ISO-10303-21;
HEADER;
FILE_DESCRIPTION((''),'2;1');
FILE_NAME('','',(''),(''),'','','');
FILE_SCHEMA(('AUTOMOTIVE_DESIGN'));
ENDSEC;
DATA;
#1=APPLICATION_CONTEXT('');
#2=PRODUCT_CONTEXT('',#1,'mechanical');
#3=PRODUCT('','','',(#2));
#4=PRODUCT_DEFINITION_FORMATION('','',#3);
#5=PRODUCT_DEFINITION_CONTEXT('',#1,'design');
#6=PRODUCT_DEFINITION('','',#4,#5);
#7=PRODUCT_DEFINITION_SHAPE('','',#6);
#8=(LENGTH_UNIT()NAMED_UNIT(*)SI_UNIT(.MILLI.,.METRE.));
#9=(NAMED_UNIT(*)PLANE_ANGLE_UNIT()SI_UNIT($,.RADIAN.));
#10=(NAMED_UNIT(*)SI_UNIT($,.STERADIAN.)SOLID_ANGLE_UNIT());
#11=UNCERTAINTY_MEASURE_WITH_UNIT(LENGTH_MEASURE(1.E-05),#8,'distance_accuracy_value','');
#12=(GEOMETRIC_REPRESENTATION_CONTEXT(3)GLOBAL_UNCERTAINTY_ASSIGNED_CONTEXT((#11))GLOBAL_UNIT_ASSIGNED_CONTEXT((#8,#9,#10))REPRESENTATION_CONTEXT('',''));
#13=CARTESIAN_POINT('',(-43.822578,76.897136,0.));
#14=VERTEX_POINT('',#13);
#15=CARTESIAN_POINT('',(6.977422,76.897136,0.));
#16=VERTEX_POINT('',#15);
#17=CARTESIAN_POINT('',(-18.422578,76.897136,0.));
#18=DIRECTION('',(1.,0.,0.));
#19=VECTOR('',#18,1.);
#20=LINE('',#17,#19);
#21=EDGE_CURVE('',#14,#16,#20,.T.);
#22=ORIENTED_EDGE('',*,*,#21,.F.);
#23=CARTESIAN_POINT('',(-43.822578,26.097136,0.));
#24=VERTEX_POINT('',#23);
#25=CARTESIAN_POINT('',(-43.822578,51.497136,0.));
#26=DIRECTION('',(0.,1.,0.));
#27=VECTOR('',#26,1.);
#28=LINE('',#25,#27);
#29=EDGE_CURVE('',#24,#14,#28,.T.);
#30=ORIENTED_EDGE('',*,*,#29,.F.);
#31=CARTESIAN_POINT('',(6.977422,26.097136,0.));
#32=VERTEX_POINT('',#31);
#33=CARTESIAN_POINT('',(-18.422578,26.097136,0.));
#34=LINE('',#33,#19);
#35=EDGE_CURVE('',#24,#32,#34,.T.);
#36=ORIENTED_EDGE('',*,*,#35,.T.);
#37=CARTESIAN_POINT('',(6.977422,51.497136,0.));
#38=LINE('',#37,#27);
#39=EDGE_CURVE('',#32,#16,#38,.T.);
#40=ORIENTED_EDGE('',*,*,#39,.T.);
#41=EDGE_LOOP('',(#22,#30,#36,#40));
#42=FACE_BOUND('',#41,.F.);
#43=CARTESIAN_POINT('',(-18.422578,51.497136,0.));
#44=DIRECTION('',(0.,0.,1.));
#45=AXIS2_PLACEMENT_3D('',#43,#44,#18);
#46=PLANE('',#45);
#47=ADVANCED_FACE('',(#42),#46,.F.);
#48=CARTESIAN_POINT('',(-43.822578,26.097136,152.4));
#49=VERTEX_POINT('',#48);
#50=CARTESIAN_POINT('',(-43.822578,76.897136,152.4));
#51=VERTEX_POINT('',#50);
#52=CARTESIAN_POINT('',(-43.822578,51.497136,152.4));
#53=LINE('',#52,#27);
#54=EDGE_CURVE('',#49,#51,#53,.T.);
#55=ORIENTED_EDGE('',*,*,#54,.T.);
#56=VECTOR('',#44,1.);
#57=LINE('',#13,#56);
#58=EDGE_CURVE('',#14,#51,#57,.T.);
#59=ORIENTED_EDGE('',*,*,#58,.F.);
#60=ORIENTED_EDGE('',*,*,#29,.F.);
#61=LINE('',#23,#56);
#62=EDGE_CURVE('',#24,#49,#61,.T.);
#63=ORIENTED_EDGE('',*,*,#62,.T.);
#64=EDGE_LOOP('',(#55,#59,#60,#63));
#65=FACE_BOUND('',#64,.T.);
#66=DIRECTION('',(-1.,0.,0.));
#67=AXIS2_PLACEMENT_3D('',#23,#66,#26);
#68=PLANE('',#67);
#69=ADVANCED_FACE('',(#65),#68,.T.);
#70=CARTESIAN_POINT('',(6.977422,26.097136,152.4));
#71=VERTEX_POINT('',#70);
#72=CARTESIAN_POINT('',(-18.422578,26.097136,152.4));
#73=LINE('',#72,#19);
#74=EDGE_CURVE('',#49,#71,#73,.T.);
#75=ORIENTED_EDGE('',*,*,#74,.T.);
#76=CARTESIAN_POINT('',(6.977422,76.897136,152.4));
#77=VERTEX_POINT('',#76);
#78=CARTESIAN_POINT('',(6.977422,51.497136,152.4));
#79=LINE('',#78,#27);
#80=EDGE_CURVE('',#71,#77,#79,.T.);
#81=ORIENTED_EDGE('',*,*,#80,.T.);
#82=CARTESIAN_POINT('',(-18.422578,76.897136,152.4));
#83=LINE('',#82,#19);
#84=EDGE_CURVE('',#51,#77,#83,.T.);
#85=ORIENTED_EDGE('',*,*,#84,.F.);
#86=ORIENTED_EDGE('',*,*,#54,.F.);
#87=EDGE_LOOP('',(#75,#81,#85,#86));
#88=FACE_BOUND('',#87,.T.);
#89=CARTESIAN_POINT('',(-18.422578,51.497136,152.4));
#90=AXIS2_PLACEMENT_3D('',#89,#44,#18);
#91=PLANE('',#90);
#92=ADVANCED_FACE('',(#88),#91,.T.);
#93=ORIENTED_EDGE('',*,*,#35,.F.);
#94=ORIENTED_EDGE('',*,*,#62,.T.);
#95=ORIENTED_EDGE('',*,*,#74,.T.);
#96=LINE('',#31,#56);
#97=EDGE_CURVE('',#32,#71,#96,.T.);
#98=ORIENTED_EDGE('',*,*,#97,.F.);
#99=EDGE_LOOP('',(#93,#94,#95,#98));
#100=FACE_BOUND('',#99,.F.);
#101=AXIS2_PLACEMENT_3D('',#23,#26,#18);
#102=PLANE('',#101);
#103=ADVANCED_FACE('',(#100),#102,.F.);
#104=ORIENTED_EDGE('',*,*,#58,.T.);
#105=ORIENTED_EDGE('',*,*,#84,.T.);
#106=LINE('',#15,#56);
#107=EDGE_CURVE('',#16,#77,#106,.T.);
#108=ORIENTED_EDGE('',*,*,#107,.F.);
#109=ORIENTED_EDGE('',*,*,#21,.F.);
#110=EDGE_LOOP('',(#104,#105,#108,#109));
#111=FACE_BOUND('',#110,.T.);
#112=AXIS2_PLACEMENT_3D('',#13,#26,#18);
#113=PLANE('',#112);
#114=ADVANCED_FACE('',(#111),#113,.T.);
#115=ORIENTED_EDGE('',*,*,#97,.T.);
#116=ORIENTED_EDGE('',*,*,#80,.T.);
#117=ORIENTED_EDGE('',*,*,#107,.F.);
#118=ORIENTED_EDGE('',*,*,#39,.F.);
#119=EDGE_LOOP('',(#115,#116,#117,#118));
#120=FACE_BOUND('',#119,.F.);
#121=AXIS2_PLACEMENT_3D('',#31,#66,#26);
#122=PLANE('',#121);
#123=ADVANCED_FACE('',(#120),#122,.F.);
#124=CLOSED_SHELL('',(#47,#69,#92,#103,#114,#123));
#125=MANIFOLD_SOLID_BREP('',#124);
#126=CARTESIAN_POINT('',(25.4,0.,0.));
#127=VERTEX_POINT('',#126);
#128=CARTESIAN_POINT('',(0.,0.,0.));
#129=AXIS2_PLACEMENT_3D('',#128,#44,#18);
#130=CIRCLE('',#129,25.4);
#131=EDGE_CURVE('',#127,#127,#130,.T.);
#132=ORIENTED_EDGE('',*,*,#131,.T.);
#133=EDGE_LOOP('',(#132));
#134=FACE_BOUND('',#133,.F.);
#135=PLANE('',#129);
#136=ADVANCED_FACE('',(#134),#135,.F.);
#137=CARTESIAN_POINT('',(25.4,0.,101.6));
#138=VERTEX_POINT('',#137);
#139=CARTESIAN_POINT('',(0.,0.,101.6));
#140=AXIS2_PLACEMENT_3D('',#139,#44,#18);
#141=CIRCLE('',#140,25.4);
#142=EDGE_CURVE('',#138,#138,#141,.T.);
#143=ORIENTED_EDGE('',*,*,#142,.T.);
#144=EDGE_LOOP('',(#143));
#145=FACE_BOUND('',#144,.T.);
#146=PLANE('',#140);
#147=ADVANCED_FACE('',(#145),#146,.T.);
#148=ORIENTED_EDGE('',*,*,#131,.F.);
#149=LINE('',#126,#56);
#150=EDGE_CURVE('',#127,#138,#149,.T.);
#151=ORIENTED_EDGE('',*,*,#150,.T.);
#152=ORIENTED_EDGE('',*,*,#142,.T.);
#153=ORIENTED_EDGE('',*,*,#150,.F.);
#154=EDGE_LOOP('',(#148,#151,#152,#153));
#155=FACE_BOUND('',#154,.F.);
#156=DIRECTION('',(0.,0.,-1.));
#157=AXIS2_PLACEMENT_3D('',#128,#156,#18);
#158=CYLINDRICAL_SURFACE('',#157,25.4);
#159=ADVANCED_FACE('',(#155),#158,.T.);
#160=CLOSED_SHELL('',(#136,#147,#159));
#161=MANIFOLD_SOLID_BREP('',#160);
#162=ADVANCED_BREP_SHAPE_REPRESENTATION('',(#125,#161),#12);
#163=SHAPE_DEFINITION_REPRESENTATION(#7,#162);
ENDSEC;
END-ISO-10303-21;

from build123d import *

# Parameters (mm, degrees)
F0_R     = 25.4
F1_DEPTH = 101.6
F2_W     = 50.8
F2_H     = 50.8
F3_DEPTH = 152.4


with BuildPart() as f1:
    # F0 (on Top) → F1 (new body)
    with BuildSketch(Plane.XY):
        Circle(F0_R)
    extrude(amount=F1_DEPTH)


with BuildPart() as f3:
    # F2 (on Top) → F3 (new body)
    with BuildSketch(Plane.XY):
        with Locations((-18.422578, 51.497136)):
            Rectangle(F2_W, F2_H)
    extrude(amount=F3_DEPTH)


solid = Compound([f1.part, f3.part])
